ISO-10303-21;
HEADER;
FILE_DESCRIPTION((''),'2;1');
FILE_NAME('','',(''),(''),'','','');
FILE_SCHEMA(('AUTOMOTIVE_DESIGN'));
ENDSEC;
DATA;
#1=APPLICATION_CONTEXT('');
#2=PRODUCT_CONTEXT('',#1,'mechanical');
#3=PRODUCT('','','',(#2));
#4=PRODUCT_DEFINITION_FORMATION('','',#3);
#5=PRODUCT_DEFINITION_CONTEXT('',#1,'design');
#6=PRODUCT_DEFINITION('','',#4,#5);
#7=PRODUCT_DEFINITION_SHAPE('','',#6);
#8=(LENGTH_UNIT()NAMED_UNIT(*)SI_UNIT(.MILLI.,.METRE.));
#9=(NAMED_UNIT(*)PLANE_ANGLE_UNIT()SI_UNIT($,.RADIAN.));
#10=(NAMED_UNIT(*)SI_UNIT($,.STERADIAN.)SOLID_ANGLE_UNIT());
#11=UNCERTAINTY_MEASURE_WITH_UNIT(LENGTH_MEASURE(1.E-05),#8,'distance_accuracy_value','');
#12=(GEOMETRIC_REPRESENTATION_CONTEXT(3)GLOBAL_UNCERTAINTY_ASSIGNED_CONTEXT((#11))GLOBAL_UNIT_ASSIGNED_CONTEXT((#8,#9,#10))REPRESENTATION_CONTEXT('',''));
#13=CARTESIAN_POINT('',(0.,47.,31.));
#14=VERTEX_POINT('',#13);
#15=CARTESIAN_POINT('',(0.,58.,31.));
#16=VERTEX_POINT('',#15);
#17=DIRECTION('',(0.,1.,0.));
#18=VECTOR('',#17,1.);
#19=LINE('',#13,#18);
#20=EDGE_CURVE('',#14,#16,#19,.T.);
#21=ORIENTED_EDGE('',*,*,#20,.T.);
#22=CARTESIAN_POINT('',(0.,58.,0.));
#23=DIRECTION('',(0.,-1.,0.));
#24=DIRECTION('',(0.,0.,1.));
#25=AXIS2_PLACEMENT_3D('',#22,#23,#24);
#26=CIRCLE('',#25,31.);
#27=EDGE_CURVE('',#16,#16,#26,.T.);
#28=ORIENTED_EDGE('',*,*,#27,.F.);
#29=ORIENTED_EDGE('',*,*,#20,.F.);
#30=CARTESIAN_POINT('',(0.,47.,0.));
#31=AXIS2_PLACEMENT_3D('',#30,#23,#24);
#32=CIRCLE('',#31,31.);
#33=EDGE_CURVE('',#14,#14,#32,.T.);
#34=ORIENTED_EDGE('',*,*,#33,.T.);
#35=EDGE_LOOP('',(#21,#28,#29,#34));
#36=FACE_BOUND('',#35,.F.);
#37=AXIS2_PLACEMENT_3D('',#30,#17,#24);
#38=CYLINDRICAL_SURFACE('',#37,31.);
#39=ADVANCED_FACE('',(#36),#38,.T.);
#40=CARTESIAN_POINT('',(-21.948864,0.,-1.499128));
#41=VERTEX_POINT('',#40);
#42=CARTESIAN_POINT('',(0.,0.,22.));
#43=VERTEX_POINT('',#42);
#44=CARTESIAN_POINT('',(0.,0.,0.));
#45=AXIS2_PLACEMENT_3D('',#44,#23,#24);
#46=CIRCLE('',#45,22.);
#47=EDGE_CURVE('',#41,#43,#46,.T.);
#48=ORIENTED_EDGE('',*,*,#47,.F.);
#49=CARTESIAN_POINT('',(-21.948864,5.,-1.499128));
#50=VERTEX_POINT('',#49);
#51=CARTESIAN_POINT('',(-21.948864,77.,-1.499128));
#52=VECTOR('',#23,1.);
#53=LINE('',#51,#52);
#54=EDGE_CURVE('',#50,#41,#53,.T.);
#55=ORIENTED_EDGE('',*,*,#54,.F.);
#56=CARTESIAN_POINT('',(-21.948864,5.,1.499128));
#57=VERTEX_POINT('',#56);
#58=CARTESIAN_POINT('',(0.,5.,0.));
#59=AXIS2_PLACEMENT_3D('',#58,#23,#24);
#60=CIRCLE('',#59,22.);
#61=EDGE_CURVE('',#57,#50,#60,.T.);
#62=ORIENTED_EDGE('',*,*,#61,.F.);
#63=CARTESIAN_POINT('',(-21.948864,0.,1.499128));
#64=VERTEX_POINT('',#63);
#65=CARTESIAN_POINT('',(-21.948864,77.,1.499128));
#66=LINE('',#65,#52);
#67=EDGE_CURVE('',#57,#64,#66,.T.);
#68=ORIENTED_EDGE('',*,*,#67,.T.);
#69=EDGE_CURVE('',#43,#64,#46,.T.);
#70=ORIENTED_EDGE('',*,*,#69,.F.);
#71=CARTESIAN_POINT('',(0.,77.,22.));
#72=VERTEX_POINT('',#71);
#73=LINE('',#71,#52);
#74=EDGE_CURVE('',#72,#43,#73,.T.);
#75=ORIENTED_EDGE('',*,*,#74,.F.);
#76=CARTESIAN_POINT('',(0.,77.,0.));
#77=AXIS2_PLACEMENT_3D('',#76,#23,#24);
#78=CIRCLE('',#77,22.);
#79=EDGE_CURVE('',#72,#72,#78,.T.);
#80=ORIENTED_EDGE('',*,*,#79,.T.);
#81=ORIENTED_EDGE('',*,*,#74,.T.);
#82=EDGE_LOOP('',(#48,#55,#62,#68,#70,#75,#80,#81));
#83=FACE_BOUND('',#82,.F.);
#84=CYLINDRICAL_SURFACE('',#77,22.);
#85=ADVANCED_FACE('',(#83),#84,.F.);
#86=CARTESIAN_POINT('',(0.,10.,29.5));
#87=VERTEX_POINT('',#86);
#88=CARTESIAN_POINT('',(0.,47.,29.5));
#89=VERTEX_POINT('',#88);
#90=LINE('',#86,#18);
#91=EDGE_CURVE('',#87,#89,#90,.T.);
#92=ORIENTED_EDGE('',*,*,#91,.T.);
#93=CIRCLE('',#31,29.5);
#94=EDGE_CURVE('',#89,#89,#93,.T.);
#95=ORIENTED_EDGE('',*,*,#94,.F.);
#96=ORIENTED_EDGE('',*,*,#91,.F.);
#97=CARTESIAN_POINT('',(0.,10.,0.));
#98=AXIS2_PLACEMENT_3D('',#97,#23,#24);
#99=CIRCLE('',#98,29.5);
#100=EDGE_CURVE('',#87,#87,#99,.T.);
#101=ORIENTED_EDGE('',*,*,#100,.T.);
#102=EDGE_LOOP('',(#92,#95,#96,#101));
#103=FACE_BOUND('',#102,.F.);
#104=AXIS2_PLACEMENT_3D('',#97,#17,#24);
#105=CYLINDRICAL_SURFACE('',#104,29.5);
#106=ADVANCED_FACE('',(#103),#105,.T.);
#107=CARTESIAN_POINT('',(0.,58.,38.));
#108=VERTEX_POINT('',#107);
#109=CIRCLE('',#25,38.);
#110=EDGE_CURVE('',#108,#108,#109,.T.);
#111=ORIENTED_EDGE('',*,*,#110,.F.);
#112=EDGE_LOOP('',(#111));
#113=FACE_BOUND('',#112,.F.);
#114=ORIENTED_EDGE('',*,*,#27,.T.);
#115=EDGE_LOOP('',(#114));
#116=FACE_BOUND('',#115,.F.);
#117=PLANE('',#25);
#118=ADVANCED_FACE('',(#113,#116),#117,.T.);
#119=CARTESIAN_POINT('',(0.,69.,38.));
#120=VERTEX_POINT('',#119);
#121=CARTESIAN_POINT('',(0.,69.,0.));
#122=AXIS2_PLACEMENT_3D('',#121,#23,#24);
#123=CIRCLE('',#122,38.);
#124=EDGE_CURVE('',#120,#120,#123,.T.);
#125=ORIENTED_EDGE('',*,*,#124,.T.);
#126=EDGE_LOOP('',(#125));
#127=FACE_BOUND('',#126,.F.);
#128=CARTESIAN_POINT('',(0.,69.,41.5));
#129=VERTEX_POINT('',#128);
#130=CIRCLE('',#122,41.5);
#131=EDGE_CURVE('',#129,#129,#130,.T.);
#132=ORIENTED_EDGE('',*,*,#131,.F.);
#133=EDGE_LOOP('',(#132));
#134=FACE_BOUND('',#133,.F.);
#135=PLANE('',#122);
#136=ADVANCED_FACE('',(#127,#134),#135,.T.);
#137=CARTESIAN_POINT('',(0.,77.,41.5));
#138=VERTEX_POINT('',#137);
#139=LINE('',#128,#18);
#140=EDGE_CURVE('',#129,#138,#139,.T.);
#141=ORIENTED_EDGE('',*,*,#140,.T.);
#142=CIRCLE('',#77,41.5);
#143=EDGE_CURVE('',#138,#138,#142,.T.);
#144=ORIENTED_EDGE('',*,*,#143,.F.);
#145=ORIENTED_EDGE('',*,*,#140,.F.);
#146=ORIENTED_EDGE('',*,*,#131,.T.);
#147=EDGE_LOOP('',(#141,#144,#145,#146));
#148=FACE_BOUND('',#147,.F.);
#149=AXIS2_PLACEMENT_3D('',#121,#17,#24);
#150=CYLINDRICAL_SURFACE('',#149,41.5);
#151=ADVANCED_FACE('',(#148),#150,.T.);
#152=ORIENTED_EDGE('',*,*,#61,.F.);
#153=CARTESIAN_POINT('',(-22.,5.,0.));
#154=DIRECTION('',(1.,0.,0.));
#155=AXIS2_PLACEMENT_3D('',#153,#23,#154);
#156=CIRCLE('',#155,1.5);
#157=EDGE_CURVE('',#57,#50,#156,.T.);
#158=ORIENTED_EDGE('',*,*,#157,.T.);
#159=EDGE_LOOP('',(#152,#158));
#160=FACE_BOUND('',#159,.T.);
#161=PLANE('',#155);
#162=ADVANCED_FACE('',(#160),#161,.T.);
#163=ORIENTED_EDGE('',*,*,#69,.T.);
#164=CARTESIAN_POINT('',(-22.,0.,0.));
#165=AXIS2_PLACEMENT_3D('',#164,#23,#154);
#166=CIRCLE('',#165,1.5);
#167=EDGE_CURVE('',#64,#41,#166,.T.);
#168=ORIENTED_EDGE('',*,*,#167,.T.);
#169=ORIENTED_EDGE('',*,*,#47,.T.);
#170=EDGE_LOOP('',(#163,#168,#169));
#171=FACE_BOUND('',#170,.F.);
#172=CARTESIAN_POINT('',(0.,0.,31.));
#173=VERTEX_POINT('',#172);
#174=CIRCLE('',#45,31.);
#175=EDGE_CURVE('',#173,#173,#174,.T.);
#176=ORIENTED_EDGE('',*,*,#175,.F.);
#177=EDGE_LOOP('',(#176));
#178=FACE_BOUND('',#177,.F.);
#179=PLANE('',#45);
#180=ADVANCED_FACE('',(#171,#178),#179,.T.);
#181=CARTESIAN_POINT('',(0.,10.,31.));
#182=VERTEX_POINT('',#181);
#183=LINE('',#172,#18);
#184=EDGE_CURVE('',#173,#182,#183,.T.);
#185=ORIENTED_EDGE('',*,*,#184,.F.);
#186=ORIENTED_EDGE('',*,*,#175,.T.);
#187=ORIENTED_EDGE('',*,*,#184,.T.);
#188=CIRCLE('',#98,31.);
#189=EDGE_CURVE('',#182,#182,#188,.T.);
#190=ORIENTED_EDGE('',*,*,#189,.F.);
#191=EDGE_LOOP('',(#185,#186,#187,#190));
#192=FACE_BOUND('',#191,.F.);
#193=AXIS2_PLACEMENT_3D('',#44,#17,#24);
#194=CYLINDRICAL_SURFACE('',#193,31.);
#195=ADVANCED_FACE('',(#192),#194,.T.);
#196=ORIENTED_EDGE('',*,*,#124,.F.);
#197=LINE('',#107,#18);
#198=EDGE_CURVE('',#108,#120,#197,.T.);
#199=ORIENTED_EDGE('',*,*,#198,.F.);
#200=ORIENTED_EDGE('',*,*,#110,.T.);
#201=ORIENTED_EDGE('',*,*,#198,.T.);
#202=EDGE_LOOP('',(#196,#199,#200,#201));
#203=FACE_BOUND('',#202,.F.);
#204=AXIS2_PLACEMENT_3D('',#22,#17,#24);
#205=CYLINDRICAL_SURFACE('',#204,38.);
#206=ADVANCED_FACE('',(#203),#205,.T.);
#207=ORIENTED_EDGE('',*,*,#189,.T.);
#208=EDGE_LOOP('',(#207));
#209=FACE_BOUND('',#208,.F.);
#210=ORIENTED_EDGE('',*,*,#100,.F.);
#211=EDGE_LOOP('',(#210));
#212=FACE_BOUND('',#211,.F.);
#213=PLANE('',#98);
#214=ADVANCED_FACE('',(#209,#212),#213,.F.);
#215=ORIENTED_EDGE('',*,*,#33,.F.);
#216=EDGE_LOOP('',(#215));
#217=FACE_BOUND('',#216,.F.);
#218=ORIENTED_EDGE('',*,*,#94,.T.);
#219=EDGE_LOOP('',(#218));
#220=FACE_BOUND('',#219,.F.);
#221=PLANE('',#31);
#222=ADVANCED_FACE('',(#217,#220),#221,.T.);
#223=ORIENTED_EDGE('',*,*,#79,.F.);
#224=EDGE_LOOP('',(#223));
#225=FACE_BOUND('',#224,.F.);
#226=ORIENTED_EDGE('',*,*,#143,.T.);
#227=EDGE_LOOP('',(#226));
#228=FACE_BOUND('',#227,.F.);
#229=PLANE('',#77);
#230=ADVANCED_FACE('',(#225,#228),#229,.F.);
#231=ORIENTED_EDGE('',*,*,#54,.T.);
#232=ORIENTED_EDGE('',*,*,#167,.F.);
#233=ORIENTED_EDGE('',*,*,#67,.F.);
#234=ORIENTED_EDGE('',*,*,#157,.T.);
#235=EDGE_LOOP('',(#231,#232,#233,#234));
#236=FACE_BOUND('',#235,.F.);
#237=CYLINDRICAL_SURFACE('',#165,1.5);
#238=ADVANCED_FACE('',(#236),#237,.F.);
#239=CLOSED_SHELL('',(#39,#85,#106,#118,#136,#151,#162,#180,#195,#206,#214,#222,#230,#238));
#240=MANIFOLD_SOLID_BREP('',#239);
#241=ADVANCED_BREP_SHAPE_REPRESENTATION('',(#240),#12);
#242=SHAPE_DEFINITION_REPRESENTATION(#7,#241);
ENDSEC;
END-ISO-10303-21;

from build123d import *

# Parameters (mm, degrees)
SKETCH3_R          = 1.5
CUT_EXTRUDE1_DEPTH = 5


with BuildPart() as part:
    # Sketch2 → Revolve1 (revolve)
    with BuildSketch(Plane.XY, mode=Mode.PRIVATE) as revolve1_sk:
        Polygon((-22, 0), (-31, 0), (-31, 10), (-29.5, 10), (-29.5, 47), (-31, 47), (-31, 58), (-38, 58), (-38, 69), (-41.5, 69), (-41.5, 77), (-22, 77), align=None)
    revolve(revolve1_sk.sketch.rotate(Axis((0, 108.342465753, 0), (0, -1, 0)), 270), axis=Axis((0, 108.342465753, 0), (0, -1, 0)))  # turned: the seam where the file's is

    # Sketch3 → Cut-Extrude1 (cut)
    with BuildSketch(Plane.XZ):
        with Locations((-22, 0)):
            Circle(SKETCH3_R)
    extrude(amount=-CUT_EXTRUDE1_DEPTH, mode=Mode.SUBTRACT)


solid = part.part
